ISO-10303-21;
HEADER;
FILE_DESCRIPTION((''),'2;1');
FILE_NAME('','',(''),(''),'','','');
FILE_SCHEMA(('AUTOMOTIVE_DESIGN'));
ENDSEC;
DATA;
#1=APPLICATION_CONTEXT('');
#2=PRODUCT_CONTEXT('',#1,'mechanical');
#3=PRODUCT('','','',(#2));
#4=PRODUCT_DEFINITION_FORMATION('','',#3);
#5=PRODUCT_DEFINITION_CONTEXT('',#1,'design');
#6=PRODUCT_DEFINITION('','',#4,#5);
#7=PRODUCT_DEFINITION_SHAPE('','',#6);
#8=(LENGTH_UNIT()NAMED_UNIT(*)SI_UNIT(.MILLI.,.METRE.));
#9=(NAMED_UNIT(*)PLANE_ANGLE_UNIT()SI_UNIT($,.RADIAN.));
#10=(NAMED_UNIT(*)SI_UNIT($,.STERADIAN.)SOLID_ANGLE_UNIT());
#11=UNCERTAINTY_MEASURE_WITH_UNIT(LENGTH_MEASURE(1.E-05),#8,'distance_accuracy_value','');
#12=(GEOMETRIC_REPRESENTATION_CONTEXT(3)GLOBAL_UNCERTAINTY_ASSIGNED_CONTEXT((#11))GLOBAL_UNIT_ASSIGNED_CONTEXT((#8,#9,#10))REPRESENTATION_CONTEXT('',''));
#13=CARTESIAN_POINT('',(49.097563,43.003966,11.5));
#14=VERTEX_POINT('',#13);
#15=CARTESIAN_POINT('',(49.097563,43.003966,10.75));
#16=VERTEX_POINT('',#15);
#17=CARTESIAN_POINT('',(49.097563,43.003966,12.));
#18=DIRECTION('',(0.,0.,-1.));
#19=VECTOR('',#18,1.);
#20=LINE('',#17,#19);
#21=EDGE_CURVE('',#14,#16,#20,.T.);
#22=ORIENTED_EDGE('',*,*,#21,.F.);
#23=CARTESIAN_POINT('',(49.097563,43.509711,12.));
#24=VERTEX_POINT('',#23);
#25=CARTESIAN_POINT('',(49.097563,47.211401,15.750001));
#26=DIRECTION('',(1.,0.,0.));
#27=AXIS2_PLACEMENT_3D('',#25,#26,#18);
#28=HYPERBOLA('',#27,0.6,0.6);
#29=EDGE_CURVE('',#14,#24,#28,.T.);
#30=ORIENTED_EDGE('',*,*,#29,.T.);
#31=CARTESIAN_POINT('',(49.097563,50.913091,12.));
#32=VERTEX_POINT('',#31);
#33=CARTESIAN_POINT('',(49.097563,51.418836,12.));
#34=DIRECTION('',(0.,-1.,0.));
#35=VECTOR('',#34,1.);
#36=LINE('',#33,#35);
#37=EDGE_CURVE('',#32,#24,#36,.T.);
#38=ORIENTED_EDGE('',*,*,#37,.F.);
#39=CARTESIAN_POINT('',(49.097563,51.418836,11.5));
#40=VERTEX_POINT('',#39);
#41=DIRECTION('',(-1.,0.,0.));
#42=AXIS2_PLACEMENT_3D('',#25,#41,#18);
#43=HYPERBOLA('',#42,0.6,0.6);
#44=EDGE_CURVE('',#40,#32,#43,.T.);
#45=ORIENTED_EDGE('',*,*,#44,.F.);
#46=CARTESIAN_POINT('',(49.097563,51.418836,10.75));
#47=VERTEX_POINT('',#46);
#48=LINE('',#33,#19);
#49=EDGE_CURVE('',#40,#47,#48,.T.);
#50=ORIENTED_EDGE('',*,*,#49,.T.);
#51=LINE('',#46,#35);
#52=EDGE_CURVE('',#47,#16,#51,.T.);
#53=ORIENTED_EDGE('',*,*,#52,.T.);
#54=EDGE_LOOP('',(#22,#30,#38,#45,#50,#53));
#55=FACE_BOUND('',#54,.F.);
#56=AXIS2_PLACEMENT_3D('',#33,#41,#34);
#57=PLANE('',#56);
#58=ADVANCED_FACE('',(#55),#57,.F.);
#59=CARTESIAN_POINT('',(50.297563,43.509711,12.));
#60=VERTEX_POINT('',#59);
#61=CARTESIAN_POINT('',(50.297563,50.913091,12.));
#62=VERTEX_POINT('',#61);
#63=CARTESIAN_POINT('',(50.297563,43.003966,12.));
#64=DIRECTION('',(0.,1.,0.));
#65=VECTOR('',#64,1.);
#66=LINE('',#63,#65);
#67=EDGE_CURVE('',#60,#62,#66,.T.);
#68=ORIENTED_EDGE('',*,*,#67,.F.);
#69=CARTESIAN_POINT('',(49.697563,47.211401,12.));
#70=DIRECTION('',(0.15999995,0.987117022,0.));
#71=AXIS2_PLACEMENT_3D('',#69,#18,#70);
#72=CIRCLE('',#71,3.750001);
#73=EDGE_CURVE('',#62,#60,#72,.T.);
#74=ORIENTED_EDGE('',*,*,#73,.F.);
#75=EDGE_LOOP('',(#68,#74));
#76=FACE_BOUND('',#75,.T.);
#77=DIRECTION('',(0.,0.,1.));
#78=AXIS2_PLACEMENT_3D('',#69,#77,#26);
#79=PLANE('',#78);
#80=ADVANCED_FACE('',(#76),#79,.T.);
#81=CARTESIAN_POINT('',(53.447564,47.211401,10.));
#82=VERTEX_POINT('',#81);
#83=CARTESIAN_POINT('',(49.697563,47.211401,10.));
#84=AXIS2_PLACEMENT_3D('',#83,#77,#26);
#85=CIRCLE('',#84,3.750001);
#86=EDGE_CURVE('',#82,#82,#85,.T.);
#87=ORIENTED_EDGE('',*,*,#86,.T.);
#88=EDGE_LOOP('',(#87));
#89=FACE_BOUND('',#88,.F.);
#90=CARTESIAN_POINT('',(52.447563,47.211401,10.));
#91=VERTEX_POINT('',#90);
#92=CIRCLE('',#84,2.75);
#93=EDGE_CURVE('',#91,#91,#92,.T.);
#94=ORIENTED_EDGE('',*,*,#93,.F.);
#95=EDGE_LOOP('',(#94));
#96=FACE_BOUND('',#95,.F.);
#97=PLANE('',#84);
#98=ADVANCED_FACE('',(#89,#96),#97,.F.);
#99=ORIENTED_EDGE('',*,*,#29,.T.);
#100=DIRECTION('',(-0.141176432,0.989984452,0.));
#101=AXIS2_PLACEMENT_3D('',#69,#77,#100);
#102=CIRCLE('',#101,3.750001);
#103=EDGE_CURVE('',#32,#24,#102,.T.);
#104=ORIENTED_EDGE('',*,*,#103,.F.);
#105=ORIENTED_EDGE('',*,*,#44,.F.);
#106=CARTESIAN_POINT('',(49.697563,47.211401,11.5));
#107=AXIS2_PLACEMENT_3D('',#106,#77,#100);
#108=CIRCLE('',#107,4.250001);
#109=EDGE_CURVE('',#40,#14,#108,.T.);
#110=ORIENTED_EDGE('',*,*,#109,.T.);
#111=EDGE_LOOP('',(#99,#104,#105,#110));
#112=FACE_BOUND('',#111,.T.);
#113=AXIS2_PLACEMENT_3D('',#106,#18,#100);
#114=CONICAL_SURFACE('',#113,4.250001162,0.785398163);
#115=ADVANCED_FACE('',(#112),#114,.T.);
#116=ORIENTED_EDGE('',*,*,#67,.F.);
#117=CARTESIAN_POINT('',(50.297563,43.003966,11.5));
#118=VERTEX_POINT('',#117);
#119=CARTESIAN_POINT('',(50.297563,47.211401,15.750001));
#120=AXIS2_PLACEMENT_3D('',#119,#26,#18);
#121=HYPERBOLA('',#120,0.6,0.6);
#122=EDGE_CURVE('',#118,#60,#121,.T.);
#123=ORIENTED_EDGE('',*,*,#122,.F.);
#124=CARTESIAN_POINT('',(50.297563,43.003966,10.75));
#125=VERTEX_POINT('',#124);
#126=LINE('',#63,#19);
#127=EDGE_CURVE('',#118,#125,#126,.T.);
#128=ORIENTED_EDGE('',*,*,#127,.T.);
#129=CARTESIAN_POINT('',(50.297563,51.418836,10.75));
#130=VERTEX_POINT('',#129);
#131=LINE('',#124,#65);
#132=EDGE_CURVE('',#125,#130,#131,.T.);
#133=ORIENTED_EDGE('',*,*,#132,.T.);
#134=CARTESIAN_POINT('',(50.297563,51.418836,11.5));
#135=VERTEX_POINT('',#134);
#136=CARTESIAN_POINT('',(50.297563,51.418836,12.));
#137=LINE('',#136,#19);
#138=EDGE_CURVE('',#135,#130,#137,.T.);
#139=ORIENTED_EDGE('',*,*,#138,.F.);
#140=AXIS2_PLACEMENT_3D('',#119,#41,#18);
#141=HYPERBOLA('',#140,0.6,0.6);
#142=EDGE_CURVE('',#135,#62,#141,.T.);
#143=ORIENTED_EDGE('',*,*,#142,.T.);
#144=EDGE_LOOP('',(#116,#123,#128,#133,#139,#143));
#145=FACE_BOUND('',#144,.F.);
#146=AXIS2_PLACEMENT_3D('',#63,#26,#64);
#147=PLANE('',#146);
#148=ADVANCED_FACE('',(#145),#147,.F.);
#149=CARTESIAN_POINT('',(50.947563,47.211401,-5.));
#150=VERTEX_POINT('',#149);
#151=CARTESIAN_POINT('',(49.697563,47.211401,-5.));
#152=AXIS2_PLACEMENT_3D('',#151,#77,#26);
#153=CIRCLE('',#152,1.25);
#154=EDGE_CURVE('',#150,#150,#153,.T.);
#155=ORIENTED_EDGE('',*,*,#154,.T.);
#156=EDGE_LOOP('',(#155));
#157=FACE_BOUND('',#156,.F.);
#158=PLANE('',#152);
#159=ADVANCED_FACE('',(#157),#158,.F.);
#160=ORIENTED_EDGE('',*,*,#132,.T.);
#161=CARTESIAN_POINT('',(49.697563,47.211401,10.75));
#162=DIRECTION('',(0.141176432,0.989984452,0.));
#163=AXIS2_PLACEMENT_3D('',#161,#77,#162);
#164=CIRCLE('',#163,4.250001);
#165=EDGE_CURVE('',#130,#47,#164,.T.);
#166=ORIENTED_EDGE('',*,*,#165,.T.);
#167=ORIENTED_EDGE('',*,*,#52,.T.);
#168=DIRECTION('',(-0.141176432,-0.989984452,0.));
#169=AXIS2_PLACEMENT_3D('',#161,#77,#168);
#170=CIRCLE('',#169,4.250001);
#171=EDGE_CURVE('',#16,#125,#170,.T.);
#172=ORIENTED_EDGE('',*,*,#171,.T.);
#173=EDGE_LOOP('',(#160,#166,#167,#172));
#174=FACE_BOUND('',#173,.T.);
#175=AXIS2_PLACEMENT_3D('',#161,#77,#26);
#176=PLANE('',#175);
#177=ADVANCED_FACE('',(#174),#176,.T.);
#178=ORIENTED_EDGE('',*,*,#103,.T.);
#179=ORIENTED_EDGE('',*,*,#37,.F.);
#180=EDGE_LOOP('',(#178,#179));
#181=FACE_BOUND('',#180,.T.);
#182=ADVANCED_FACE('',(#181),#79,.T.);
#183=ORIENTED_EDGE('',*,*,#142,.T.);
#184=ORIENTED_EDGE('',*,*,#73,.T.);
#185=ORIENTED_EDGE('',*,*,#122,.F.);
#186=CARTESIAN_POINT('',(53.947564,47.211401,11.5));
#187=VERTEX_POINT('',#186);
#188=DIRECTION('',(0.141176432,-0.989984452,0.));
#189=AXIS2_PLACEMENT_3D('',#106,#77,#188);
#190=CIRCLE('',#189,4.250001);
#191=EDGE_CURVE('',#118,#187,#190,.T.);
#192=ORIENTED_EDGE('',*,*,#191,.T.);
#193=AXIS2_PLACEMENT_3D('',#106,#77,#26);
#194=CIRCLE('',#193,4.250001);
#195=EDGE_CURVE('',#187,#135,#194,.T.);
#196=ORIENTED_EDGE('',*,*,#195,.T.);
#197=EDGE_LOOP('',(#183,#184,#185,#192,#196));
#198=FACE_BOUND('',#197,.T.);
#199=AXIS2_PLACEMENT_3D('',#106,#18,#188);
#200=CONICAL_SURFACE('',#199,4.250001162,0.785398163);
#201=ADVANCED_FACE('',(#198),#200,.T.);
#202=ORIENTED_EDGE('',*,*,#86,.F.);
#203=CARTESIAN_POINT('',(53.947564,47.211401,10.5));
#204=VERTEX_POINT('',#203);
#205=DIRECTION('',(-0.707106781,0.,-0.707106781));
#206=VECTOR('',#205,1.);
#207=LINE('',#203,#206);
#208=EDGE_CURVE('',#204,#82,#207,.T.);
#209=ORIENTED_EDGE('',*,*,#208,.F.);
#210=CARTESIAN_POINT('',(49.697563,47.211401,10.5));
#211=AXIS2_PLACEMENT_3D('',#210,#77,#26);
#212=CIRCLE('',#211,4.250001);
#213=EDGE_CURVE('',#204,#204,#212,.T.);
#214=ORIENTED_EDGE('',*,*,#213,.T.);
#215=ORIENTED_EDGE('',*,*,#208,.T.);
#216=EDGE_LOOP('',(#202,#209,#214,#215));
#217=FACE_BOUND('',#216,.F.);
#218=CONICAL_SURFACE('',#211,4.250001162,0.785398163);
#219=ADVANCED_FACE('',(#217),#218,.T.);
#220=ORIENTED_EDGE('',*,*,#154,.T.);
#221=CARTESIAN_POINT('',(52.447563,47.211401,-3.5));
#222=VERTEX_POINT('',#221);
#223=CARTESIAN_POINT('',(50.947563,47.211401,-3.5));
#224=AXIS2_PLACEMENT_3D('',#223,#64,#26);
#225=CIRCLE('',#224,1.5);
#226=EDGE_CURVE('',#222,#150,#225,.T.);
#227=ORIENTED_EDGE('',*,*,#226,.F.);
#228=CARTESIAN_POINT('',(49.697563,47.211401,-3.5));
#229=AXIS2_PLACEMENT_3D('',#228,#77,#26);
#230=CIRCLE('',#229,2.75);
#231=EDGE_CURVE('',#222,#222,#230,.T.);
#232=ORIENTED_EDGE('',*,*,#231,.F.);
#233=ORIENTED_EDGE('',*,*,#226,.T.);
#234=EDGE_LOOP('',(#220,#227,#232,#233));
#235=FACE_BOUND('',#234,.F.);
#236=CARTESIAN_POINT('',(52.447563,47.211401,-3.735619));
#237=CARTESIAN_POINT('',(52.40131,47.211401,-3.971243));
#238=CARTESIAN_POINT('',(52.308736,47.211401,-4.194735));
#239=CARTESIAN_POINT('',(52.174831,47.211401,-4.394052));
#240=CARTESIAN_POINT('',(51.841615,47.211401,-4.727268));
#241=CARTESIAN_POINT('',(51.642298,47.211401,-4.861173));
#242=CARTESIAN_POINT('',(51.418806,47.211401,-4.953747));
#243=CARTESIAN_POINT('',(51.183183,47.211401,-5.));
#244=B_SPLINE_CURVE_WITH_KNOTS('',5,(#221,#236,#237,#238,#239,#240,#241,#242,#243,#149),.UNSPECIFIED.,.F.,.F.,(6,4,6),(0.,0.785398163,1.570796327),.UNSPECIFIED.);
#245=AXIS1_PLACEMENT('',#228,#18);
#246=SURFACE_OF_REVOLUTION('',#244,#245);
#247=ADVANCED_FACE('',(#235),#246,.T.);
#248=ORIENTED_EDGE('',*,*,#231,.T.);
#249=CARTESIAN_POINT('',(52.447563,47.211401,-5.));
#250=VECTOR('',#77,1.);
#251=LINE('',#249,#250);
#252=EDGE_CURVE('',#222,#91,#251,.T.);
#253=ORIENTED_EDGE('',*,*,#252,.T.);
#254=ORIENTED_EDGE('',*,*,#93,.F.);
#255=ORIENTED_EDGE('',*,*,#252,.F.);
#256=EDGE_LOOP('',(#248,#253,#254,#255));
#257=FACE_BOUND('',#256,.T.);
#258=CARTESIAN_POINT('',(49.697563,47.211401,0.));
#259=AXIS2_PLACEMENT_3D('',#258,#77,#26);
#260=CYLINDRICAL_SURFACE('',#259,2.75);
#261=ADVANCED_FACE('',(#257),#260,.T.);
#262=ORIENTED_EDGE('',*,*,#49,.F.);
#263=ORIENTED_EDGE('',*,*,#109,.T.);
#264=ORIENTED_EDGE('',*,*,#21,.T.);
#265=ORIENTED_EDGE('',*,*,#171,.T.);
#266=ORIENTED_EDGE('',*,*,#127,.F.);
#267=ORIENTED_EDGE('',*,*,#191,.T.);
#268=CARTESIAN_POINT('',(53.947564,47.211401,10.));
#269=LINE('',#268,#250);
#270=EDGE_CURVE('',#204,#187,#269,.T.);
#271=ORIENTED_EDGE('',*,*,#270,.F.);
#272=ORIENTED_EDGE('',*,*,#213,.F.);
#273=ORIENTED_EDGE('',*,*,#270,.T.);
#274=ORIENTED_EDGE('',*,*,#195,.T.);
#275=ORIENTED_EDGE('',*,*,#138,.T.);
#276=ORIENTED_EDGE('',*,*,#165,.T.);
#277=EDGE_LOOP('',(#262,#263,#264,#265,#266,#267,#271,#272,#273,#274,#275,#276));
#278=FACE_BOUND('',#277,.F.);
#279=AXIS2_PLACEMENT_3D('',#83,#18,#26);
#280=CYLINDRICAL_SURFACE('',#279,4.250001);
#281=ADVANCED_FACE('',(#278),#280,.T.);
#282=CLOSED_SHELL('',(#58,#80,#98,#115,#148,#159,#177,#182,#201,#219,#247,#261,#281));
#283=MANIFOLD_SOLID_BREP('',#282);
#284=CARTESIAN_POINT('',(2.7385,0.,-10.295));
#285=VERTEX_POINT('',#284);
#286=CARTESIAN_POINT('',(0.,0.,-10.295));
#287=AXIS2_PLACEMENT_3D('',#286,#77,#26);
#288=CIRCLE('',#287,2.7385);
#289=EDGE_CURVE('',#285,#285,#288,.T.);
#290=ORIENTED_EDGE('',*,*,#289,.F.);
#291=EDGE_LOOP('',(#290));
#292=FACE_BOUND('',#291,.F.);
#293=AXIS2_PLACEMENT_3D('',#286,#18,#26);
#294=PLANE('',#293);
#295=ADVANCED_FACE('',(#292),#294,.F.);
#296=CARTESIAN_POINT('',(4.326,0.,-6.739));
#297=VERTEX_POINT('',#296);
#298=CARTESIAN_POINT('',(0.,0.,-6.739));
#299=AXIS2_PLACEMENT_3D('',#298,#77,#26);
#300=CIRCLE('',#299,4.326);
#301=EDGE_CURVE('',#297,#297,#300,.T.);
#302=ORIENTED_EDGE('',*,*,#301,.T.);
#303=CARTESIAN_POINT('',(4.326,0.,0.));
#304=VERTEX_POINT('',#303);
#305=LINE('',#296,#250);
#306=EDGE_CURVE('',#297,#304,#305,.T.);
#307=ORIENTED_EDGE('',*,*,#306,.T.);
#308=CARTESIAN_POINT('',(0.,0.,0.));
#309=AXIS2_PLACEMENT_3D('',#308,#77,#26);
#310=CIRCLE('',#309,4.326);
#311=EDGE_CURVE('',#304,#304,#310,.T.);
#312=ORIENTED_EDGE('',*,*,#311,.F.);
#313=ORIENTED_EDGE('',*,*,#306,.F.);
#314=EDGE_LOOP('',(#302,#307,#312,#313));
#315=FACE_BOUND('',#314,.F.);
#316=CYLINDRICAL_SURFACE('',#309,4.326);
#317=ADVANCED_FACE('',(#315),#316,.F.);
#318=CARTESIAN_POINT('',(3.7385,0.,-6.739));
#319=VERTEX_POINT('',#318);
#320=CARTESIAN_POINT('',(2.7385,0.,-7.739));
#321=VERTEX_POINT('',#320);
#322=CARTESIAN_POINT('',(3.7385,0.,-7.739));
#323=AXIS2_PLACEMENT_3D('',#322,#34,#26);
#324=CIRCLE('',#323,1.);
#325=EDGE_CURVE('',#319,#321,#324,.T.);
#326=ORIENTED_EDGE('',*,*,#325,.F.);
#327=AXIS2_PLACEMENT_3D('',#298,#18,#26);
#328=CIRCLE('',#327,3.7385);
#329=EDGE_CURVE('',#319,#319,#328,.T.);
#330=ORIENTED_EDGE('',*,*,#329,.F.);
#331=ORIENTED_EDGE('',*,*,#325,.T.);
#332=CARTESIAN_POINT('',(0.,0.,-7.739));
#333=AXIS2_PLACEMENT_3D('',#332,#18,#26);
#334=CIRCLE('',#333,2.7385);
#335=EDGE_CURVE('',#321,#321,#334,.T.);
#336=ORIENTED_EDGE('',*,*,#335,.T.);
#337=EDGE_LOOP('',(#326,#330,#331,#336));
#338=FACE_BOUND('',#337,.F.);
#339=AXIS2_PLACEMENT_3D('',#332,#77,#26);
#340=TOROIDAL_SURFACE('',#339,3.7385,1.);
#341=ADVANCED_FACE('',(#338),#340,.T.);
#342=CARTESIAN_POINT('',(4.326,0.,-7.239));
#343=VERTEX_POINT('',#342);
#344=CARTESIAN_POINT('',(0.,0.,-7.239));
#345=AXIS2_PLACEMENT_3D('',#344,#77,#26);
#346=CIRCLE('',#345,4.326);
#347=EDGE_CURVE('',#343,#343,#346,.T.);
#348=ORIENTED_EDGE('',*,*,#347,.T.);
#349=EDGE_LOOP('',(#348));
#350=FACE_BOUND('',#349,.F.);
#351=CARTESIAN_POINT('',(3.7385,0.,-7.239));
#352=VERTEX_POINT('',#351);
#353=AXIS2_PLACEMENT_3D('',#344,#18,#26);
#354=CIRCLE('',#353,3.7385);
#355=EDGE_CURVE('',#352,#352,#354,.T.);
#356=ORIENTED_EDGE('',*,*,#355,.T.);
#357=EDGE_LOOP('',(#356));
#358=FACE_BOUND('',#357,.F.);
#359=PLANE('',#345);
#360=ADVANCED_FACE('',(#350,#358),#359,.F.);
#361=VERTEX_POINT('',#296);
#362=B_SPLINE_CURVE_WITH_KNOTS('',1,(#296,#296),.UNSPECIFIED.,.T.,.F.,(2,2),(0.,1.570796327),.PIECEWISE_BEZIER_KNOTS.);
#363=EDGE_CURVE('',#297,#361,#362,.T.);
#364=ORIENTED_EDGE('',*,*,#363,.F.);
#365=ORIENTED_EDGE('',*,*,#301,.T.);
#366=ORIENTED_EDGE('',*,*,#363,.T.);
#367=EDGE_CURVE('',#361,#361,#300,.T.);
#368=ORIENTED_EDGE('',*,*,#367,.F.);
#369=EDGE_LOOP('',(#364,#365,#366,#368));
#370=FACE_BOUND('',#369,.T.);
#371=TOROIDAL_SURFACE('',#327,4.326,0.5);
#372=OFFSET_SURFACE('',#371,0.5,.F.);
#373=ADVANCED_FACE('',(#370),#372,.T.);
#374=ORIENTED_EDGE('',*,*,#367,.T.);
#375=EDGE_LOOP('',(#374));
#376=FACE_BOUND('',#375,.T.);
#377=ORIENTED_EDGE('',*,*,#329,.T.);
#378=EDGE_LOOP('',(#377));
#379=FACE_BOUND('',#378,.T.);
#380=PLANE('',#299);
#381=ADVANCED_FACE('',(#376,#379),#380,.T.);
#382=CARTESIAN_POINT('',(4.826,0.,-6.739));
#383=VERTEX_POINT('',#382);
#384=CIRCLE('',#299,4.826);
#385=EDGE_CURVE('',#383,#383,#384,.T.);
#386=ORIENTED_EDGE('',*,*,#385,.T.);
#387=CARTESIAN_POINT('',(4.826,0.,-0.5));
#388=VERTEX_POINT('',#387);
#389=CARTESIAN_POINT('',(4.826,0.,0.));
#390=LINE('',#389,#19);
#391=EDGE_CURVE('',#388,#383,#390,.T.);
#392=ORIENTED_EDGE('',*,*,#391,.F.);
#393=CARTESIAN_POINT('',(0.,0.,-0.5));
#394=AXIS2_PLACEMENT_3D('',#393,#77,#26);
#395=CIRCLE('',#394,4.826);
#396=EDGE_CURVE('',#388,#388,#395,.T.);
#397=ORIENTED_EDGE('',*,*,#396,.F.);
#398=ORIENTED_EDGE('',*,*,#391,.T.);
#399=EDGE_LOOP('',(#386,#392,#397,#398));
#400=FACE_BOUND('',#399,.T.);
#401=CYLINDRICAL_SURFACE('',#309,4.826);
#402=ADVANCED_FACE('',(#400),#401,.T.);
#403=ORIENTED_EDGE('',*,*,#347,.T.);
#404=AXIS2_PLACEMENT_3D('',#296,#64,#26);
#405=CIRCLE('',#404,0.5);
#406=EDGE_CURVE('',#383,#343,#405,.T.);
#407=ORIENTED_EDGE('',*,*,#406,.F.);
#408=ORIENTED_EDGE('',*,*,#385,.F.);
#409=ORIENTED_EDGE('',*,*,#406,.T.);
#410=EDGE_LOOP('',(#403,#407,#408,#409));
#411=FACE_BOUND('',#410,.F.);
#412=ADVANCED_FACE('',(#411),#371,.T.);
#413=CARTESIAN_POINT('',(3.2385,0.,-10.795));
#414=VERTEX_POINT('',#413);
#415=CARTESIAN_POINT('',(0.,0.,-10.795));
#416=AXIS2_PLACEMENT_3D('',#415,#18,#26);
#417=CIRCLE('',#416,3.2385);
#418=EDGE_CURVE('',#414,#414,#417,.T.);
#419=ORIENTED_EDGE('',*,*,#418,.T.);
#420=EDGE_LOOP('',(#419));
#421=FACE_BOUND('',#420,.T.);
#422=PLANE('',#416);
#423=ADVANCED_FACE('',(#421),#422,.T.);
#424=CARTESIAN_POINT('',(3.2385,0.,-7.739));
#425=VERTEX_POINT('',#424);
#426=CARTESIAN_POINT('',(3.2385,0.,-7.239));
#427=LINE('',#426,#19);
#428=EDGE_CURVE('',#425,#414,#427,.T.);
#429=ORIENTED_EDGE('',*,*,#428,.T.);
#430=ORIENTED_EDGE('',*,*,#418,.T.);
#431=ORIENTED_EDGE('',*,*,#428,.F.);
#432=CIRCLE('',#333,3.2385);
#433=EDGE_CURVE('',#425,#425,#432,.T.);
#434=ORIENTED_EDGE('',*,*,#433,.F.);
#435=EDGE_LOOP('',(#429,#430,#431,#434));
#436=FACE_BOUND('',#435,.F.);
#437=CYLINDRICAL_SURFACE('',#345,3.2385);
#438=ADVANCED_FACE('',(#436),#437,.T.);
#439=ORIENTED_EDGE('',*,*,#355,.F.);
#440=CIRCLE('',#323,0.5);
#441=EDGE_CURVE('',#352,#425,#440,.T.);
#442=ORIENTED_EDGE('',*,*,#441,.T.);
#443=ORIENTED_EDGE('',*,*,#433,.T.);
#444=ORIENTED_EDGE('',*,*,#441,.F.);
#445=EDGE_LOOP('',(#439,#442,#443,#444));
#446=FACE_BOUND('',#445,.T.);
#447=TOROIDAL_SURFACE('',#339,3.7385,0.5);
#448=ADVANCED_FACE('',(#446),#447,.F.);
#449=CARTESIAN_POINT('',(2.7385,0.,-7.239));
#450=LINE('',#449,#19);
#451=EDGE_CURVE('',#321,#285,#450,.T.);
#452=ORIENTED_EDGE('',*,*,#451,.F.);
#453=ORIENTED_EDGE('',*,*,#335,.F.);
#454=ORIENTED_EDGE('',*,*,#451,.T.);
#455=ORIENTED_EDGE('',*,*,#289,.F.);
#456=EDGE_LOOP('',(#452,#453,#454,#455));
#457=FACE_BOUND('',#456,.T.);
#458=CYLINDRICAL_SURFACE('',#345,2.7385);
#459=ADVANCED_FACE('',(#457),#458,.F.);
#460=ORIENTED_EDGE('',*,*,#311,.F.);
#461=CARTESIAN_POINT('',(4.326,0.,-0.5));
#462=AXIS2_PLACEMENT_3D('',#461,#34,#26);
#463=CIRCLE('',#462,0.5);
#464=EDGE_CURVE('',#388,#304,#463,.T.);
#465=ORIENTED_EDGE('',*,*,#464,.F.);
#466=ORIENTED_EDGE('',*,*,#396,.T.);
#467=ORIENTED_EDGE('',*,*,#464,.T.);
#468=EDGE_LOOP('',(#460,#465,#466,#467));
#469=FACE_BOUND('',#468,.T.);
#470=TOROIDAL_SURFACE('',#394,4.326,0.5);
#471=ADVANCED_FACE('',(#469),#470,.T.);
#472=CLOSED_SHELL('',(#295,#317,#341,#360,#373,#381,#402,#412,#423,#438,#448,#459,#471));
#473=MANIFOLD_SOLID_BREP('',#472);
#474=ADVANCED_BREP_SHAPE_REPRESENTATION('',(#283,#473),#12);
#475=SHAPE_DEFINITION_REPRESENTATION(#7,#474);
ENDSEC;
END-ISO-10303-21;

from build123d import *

# Parameters (mm, degrees)
F0_R      = 4.826
F1_DEPTH  = 7.239
F2_R      = 3.2385
F3_DEPTH  = 3.556
F4_R      = 0.5
F5_T      = -0.5
F6_DEPTH  = 1
F7_R      = 2.75
F8_DEPTH  = 10
F9_R      = 4.2500011623
F10_DEPTH = 2
F12_DEPTH = 1.25
F13_SIZE  = 0.5
F14_DEPTH = 5
F15_R     = 1.5


with BuildPart() as f1:
    # F0 (on Top) → F1 (new body)
    with BuildSketch(Plane.XY):
        Circle(F0_R)
    extrude(amount=-F1_DEPTH)

    # F2 (on face) → F3 (join)
    with BuildSketch(Plane(origin=(0, 0, -7.239), x_dir=(1, 0, 0), z_dir=(0, 0, -1))):
        Circle(F2_R)
    extrude(amount=F3_DEPTH)

    # F4
    f4_edges = [f1.edges().sort_by_distance(p)[0] for p in [
        (-4.826, 0, 0),
        (-4.826, 0, -7.239),
        (-3.2385, 0, -7.239),
    ]]
    fillet(f4_edges, radius=F4_R)

    # F5 (hollow: no face is removed)
    offset(amount=F5_T, kind=Kind.INTERSECTION, mode=Mode.SUBTRACT)

    # F6 (cut): a face of the model
    f6_faces = [f1.faces().sort_by_distance(p)[0] for p in [
        (0, 0, 0),
    ]]
    extrude(f6_faces, amount=-F6_DEPTH, mode=Mode.SUBTRACT)


with BuildPart() as f8:
    # F7 (on Top) → F8 (new body)
    with BuildSketch(Plane.XY):
        with Locations((49.6975630522, 47.2114011645)):
            Circle(F7_R)
    extrude(amount=F8_DEPTH)

    # F9 (on face) → F10 (join)
    with BuildSketch(Plane.XY.offset(10)):
        with Locations((49.6975630522, 47.2114011645)):
            Circle(F9_R)
    extrude(amount=F10_DEPTH)

    # F11 (on face) → F12 (cut)
    with BuildSketch(Plane.XY.offset(12)):
        with BuildLine():
            Line((49.0975630522, 51.4188362359), (49.0975630522, 47.2114011645))
            Line((49.0975630522, 47.2114011645), (49.0975630522, 43.0039660932))
            ThreePointArc((49.0975630522, 43.0039660932), (49.6975630522, 42.9614000022), (50.2975630522, 43.0039660932))
            Line((50.2975630522, 43.0039660932), (50.2975630522, 47.2114011645))
            Line((50.2975630522, 47.2114011645), (50.2975630522, 51.4188362359))
            ThreePointArc((50.2975630522, 51.4188362359), (49.6975630522, 51.4614023268), (49.0975630522, 51.4188362359))
        make_face()
    extrude(amount=-F12_DEPTH, mode=Mode.SUBTRACT)

    # F13
    f13_edges = [f8.edges().sort_by_distance(p)[0] for p in [
        (45.447562, 47.211401, 12),
        (52.907899, 44.426396, 12),
        (52.907899, 49.996406, 12),
        (45.447562, 47.211401, 10),
    ]]
    chamfer(f13_edges, length=F13_SIZE)

    # F14 (add): a face of the model
    f14_faces = [f8.faces().sort_by_distance(p)[0] for p in [
        (49.6975630522, 47.2114011645, 0),
    ]]
    extrude(f14_faces, amount=F14_DEPTH)

    # F15
    f15_edges = [f8.edges().sort_by_distance(p)[0] for p in [
        (46.947563, 47.211401, -5),
    ]]
    fillet(f15_edges, radius=F15_R)


solid = Compound([f1.part, f8.part])
